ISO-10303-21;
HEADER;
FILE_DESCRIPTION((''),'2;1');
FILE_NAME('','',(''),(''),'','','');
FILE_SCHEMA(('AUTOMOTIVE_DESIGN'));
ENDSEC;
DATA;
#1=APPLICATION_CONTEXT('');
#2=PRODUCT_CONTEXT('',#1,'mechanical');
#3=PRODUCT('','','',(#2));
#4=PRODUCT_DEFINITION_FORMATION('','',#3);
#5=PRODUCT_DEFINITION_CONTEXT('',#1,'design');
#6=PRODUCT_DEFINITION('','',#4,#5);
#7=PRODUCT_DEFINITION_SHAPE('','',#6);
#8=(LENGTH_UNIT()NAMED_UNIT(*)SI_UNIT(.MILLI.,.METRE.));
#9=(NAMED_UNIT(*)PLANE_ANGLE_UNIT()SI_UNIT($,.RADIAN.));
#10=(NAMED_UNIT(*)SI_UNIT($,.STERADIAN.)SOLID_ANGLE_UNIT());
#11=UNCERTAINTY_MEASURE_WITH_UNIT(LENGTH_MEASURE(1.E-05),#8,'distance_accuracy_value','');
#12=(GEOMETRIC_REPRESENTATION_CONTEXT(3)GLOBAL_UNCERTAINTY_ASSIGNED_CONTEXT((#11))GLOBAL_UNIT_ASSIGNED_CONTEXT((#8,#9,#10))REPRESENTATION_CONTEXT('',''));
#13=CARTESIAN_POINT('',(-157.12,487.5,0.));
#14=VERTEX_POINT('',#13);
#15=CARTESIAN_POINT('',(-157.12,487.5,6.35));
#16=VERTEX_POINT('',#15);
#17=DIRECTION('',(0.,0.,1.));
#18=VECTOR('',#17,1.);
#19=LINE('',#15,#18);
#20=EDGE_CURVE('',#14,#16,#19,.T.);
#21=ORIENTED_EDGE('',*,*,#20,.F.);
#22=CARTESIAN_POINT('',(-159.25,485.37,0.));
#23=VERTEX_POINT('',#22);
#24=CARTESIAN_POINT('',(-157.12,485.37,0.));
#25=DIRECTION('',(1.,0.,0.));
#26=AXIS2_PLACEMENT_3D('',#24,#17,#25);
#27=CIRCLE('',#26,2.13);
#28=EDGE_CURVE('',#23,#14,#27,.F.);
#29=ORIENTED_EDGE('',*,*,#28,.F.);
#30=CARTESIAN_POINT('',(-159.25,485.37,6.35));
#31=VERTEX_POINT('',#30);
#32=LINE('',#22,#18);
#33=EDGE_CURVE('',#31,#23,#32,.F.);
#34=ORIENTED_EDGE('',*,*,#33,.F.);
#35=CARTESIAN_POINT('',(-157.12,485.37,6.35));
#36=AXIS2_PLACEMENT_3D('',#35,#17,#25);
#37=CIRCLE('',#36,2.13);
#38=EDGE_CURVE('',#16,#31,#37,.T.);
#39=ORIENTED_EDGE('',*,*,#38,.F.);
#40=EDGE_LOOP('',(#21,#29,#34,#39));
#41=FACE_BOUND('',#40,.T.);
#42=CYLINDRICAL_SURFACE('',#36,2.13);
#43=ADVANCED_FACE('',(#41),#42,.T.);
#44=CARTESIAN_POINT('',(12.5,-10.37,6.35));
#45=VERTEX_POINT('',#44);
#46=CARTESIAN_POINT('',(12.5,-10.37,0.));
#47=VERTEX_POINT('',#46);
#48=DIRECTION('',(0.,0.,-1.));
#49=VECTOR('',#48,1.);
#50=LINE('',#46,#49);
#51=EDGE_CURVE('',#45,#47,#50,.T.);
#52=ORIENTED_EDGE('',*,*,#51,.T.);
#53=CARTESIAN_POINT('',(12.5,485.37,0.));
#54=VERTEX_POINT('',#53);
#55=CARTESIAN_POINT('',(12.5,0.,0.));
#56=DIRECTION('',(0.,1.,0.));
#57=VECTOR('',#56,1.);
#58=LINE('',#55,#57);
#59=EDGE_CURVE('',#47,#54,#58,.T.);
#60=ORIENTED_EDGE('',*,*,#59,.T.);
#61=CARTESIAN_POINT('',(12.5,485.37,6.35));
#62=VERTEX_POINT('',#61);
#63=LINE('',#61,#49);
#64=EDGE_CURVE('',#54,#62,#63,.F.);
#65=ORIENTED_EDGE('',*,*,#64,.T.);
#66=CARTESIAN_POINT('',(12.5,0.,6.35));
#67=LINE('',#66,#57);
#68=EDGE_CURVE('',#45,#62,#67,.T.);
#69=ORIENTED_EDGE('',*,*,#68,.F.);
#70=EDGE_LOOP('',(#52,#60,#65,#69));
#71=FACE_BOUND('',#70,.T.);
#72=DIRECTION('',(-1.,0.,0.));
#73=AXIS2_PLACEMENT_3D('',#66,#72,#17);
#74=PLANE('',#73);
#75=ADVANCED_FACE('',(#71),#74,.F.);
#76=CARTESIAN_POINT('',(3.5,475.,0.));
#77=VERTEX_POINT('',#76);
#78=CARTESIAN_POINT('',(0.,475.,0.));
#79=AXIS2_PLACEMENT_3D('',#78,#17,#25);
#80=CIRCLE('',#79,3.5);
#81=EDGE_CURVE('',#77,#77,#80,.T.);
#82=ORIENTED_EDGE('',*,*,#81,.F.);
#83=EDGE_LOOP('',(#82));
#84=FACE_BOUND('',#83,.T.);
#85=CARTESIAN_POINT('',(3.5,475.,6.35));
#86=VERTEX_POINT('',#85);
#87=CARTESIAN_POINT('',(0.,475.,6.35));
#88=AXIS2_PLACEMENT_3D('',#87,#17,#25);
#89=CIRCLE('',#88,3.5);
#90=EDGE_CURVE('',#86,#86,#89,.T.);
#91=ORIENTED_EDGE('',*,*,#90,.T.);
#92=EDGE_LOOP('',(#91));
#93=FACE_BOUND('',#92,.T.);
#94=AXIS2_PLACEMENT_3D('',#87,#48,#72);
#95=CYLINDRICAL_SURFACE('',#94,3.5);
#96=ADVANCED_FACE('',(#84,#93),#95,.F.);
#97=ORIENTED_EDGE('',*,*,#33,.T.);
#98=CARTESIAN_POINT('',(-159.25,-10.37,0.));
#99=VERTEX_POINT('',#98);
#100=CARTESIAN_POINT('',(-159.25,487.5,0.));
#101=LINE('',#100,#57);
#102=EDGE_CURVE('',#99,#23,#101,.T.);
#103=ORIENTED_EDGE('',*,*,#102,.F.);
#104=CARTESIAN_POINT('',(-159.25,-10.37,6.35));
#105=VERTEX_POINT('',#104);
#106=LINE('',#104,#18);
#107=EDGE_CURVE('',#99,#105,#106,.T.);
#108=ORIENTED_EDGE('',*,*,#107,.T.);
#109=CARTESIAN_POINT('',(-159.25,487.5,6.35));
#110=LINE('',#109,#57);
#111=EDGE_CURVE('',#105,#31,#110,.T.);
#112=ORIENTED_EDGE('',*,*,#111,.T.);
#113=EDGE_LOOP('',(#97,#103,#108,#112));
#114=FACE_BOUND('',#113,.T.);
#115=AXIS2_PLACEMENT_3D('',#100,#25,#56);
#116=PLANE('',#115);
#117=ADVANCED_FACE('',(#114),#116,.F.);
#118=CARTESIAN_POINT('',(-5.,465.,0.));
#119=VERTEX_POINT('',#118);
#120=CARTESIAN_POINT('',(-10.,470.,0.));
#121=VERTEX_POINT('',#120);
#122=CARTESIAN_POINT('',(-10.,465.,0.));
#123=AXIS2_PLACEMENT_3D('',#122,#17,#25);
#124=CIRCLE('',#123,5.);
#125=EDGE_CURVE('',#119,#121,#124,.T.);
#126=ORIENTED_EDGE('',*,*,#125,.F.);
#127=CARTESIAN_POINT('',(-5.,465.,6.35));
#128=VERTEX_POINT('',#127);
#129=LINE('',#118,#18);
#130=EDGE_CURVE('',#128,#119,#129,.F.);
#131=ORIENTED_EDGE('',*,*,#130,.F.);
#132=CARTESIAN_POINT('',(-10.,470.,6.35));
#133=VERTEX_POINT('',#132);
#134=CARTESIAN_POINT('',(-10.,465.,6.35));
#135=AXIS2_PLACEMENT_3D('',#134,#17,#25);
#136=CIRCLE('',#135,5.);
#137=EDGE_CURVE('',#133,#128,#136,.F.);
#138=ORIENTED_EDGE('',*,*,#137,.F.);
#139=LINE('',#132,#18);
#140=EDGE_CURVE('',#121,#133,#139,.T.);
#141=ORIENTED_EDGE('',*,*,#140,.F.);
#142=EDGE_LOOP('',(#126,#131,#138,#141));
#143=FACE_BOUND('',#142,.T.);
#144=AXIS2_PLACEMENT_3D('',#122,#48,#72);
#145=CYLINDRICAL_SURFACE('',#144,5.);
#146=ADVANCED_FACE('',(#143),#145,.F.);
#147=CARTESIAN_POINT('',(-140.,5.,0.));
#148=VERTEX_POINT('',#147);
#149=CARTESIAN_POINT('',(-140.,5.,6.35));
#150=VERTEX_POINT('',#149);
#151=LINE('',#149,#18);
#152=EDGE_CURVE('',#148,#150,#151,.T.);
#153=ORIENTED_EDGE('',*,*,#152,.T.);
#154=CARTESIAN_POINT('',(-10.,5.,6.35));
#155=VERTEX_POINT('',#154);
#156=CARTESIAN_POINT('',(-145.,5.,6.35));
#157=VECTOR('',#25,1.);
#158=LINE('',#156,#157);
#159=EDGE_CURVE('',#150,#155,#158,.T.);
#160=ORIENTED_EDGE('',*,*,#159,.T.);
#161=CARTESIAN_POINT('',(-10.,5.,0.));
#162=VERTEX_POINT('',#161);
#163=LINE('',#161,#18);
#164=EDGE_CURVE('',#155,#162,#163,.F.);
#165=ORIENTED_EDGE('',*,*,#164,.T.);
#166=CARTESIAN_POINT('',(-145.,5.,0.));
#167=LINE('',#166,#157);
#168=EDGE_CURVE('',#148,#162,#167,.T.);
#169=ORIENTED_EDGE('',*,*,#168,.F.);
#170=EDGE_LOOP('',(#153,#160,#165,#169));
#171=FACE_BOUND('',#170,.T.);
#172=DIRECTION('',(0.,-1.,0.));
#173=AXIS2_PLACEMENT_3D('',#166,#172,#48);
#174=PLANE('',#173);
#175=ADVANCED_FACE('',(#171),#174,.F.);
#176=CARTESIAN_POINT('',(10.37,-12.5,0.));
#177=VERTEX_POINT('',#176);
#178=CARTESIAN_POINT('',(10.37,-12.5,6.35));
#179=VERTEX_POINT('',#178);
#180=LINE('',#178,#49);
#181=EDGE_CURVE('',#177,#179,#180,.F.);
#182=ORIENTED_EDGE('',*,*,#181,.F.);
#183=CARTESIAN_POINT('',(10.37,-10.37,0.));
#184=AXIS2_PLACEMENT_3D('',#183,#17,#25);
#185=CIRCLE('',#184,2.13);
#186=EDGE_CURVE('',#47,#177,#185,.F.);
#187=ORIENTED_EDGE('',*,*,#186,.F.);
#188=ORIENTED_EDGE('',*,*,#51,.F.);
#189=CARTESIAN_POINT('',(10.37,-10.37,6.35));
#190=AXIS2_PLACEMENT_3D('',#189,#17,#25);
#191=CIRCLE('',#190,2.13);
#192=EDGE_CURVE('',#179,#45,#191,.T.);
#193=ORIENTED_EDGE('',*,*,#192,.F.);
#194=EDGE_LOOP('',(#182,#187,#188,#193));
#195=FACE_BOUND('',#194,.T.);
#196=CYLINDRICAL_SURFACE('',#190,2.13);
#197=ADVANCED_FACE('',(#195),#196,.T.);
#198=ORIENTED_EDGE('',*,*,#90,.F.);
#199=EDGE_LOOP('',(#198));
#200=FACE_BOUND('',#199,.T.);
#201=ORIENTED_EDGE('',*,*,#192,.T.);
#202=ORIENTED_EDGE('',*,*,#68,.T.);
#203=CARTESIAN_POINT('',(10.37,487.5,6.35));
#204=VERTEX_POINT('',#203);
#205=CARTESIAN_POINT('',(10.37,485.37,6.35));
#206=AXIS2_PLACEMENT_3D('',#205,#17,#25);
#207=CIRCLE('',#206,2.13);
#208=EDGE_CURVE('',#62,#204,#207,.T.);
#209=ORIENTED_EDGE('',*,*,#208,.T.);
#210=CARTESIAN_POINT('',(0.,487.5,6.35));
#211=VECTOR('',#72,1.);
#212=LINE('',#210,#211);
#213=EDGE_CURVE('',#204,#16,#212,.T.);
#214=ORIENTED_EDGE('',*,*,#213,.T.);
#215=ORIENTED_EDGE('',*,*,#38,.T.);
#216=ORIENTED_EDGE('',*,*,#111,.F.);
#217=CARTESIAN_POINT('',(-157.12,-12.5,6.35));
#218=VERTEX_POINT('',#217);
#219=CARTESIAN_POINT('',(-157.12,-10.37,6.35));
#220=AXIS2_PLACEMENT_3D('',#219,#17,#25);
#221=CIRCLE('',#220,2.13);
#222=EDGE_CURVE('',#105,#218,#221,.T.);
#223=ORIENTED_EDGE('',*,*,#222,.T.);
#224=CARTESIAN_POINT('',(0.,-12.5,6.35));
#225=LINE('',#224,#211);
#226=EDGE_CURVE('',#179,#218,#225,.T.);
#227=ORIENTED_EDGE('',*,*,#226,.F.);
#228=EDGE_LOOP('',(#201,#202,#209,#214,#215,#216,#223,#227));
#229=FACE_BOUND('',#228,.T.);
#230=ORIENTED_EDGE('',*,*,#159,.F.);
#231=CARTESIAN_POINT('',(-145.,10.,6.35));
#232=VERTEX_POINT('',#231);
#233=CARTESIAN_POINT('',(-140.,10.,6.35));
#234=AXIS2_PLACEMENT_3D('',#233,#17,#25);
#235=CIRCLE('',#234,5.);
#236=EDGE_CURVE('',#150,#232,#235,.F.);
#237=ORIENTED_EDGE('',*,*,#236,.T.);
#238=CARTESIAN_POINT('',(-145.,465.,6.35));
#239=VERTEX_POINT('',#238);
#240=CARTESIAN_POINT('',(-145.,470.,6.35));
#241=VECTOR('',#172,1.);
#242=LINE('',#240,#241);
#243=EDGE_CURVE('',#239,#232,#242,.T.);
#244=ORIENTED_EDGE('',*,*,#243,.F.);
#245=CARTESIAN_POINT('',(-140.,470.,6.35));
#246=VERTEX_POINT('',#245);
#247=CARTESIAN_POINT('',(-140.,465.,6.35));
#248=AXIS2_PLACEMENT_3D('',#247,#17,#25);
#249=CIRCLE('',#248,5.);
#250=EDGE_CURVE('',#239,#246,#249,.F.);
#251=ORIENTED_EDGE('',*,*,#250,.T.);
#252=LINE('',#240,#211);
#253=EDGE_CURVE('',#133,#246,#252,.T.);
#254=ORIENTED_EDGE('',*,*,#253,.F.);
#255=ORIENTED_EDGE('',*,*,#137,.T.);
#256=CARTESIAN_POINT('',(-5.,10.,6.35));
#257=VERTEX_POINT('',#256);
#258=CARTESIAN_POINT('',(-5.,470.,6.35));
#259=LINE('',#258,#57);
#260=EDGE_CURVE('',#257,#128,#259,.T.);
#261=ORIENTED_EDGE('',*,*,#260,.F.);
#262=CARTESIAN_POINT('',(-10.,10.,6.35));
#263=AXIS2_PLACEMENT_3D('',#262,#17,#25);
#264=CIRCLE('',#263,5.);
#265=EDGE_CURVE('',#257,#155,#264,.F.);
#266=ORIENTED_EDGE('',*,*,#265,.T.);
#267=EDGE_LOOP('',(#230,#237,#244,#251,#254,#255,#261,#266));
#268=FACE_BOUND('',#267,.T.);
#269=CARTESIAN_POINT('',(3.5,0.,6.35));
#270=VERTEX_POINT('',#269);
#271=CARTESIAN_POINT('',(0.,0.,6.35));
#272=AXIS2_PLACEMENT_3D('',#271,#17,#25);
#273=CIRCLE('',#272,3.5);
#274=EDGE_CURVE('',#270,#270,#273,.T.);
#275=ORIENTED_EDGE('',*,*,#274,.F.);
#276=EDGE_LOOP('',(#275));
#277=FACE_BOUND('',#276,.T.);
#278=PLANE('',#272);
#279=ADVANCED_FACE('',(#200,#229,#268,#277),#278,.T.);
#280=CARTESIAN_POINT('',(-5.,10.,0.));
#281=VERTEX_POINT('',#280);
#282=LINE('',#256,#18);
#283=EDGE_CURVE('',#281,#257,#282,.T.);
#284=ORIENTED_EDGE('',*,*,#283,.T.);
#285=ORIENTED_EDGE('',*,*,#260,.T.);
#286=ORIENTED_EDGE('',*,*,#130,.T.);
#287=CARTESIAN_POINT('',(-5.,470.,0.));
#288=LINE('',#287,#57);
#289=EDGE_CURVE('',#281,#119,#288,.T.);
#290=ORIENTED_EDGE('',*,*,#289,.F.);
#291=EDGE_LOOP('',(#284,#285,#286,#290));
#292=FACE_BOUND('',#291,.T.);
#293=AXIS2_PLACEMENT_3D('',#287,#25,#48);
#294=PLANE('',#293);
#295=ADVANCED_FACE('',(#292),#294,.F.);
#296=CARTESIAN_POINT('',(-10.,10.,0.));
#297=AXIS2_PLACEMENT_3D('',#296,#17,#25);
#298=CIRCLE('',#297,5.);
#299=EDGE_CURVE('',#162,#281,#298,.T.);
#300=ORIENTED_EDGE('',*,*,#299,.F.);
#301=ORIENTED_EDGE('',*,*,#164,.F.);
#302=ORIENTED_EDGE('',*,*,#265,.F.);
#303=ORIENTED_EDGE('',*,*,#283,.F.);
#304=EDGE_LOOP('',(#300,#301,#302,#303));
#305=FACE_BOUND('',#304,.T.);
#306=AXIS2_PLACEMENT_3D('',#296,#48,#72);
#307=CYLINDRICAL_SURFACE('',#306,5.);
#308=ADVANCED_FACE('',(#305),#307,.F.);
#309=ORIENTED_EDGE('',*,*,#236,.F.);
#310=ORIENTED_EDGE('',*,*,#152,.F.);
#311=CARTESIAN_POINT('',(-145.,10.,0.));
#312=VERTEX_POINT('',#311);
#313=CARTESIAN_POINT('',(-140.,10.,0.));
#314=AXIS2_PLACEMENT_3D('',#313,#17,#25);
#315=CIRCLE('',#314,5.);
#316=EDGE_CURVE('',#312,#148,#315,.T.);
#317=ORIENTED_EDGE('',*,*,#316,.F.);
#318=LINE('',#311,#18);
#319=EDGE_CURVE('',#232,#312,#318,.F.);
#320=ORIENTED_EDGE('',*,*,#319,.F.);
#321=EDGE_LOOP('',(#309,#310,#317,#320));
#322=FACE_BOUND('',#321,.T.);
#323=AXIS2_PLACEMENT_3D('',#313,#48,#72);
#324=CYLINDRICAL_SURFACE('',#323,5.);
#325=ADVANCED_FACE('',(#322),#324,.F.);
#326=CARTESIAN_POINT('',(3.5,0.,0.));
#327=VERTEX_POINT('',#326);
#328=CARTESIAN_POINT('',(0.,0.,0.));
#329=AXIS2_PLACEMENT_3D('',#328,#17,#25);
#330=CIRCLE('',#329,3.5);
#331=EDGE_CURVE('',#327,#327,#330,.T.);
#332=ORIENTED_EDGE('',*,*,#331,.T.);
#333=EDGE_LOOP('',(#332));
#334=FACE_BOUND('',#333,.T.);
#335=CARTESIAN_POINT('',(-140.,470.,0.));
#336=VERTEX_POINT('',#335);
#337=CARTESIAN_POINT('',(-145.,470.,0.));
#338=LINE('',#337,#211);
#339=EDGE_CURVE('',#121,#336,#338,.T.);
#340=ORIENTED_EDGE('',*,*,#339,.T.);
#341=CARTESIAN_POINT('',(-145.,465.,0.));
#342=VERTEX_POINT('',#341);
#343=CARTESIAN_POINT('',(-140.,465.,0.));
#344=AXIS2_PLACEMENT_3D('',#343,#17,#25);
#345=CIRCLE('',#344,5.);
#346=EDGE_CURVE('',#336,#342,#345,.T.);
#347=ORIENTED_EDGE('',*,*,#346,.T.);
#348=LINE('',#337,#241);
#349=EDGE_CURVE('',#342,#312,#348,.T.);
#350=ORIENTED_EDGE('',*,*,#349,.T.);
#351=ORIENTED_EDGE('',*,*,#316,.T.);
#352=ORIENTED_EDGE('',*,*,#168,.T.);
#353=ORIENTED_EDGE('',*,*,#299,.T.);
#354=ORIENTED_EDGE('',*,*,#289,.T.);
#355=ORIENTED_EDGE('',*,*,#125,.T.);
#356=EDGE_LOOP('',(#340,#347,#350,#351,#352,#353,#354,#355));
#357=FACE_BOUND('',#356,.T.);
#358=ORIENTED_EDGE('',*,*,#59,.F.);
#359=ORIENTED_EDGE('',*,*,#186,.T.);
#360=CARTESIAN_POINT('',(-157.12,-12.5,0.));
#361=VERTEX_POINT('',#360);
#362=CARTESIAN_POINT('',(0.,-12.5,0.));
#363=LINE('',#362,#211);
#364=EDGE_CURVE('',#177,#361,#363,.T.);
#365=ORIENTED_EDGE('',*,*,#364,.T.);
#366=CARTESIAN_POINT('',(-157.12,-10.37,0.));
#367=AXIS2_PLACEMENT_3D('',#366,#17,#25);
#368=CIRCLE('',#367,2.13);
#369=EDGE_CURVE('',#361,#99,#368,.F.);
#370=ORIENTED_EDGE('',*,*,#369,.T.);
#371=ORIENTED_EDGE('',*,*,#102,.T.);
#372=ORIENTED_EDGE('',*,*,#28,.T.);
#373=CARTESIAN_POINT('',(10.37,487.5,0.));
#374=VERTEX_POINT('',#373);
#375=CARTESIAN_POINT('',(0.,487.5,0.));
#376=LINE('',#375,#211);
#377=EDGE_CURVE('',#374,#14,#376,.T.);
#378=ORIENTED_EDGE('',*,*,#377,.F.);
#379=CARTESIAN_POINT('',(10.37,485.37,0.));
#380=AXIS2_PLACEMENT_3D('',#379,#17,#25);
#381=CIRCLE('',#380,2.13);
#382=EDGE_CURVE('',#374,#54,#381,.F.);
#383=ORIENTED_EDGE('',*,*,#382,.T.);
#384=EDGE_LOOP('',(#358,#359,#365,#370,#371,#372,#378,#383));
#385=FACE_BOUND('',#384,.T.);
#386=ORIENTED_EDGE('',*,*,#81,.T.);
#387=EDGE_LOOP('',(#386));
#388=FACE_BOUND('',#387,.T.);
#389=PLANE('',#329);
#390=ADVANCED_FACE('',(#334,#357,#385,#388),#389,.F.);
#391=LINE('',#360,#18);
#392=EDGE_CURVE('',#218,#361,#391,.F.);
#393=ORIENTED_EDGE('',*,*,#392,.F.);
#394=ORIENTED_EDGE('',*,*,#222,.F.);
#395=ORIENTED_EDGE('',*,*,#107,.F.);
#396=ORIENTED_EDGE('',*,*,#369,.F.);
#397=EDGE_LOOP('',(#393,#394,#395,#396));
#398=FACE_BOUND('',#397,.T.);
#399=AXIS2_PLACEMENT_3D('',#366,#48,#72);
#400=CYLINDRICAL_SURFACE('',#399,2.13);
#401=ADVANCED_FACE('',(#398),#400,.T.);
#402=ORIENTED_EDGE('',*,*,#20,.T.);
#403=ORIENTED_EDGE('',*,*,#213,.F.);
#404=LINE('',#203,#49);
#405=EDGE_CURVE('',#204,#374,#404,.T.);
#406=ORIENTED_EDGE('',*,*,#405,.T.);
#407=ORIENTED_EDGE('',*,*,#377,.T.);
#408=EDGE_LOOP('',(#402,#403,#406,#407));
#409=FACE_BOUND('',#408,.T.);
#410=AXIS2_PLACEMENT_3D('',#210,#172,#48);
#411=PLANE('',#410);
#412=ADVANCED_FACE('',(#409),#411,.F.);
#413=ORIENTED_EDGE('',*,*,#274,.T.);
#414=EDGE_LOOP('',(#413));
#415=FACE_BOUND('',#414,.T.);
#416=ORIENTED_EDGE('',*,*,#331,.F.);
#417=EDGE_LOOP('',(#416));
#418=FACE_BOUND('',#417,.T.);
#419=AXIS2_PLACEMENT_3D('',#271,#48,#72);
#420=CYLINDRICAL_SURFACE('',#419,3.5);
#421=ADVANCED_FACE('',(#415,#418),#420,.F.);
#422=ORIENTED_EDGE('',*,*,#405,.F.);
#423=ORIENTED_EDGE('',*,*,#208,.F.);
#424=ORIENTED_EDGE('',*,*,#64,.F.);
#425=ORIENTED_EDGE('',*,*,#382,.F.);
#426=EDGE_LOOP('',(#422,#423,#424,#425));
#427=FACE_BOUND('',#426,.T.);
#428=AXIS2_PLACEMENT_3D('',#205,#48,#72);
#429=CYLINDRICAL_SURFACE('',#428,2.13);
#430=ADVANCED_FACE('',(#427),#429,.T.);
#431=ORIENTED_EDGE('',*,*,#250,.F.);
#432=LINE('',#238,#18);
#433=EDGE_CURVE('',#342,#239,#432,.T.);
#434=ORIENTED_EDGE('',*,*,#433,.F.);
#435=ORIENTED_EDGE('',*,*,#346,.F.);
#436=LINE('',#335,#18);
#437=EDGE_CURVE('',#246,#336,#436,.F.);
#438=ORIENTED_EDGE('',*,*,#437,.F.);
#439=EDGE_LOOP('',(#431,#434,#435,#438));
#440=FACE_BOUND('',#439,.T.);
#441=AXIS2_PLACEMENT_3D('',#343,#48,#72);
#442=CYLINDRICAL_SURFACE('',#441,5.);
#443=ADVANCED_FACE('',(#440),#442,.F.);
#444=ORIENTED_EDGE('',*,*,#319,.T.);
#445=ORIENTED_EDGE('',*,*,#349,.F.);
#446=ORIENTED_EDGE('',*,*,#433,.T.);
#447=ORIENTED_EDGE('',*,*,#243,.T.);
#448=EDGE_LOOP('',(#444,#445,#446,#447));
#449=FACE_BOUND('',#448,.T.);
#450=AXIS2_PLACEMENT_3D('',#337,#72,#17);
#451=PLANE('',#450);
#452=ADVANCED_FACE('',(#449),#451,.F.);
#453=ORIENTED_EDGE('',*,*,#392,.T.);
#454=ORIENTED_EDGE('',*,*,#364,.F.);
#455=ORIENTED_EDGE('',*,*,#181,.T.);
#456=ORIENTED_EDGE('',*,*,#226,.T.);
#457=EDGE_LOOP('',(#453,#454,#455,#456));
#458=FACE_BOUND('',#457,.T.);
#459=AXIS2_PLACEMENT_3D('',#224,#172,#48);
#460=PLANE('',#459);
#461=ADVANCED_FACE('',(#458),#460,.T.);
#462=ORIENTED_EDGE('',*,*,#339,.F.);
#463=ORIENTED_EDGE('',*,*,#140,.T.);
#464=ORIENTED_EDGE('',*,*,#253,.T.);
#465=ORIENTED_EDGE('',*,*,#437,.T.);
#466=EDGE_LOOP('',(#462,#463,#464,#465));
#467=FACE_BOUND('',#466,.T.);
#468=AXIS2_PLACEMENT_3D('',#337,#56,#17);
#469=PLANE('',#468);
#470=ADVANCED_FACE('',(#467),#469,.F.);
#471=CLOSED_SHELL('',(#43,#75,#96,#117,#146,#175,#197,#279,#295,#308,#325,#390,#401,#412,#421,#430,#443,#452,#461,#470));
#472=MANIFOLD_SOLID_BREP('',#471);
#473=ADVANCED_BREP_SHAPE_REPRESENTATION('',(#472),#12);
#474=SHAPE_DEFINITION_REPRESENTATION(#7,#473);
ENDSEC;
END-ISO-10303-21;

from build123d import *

# Parameters (mm, degrees)
SKETCH1_W           = 25
SKETCH1_H           = 125
SKETCH1_W_2         = 450
SKETCH1_H_2         = 25
SKETCH1_R           = 3.5
BOSS_EXTRUDE1_DEPTH = 6.35
SKETCH2_W           = 140.00000048
SKETCH2_H           = 465.00000048
CUT_EXTRUDE1_DEPTH  = 514.909352415
SKETCH3_W           = 3.25
SKETCH3_H           = 500
CUT_EXTRUDE2_DEPTH  = 514.909352415
FILLET1_R           = 2.13
FILLET2_R           = 5


with BuildPart() as part:
    # Sketch1 → Boss-Extrude1 (new body)
    # profile 1 of 6: a face of its own
    with BuildSketch(Plane(origin=(0, 0, 0), x_dir=(0, 1, 0), z_dir=(0, 0, 1))):
        Polygon((-12.5, 137.5), (12.5, 137.5), (462.5, 137.5), (487.5, 137.5), (487.5, 162.5), (-12.5, 162.5), align=None)
    # profile 2 of 6: a face of its own
    with BuildSketch(Plane(origin=(0, 0, 0), x_dir=(0, 1, 0), z_dir=(0, 0, 1))):
        with Locations((0, 75)):
            Rectangle(SKETCH1_W, SKETCH1_H)
    # profile 3 of 6: a face of its own
    with BuildSketch(Plane(origin=(0, 0, 0), x_dir=(0, 1, 0), z_dir=(0, 0, 1))):
        with Locations((237.5, 0)):
            Rectangle(SKETCH1_W_2, SKETCH1_H_2)
    # profile 4 of 6: a face of its own
    with BuildSketch(Plane(origin=(0, 0, 0), x_dir=(0, 1, 0), z_dir=(0, 0, 1))):
        with Locations((475, 75)):
            Rectangle(SKETCH1_W, SKETCH1_H)
    # profile 5 of 6: a face of its own
    with BuildSketch(Plane(origin=(0, 0, 0), x_dir=(0, 1, 0), z_dir=(0, 0, 1))):
        with Locations((475, 0)):
            Rectangle(SKETCH1_W, SKETCH1_H_2)
        with Locations(Location((475, 0, 0), (0, 0, 270))):
            Circle(SKETCH1_R, mode=Mode.SUBTRACT)
    # profile 6 of 6: a face of its own
    with BuildSketch(Plane(origin=(0, 0, 0), x_dir=(0, 1, 0), z_dir=(0, 0, 1))):
        Rectangle(SKETCH1_W, SKETCH1_H_2)
        with Locations(Location((0, 0, 0), (0, 0, 270))):
            Circle(SKETCH1_R, mode=Mode.SUBTRACT)
    extrude(amount=BOSS_EXTRUDE1_DEPTH)

    # Sketch2 → Cut-Extrude1 (cut, through all)
    with BuildSketch(Plane.XY.offset(6.35)):
        with Locations((-75, 237.5)):
            Rectangle(SKETCH2_W, SKETCH2_H)
    extrude(amount=-CUT_EXTRUDE1_DEPTH, mode=Mode.SUBTRACT)

    # Sketch3 → Cut-Extrude2 (cut, through all)
    with BuildSketch(Plane.XY.offset(6.35)):
        with Locations((-160.875, 237.5)):
            Rectangle(SKETCH3_W, SKETCH3_H)
    extrude(amount=-CUT_EXTRUDE2_DEPTH, mode=Mode.SUBTRACT)

    # Fillet1
    fillet1_edges = [part.edges().sort_by_distance(p)[0] for p in [
        (12.5, 487.5, 3.175),
        (12.5, -12.5, 3.175),
        (-159.25, 487.5, 3.175),
        (-159.25, -12.5, 3.175),
    ]]
    fillet(fillet1_edges, radius=FILLET1_R)

    # Fillet2
    fillet2_edges = [part.edges().sort_by_distance(p)[0] for p in [
        (-4.99999976, 470.00000024, 3.175),
        (-4.99999976, 4.99999976, 3.175),
        (-145.00000024, 4.99999976, 3.175),
        (-145.00000024, 470.00000024, 3.175),
    ]]
    fillet(fillet2_edges, radius=FILLET2_R)


solid = part.part
